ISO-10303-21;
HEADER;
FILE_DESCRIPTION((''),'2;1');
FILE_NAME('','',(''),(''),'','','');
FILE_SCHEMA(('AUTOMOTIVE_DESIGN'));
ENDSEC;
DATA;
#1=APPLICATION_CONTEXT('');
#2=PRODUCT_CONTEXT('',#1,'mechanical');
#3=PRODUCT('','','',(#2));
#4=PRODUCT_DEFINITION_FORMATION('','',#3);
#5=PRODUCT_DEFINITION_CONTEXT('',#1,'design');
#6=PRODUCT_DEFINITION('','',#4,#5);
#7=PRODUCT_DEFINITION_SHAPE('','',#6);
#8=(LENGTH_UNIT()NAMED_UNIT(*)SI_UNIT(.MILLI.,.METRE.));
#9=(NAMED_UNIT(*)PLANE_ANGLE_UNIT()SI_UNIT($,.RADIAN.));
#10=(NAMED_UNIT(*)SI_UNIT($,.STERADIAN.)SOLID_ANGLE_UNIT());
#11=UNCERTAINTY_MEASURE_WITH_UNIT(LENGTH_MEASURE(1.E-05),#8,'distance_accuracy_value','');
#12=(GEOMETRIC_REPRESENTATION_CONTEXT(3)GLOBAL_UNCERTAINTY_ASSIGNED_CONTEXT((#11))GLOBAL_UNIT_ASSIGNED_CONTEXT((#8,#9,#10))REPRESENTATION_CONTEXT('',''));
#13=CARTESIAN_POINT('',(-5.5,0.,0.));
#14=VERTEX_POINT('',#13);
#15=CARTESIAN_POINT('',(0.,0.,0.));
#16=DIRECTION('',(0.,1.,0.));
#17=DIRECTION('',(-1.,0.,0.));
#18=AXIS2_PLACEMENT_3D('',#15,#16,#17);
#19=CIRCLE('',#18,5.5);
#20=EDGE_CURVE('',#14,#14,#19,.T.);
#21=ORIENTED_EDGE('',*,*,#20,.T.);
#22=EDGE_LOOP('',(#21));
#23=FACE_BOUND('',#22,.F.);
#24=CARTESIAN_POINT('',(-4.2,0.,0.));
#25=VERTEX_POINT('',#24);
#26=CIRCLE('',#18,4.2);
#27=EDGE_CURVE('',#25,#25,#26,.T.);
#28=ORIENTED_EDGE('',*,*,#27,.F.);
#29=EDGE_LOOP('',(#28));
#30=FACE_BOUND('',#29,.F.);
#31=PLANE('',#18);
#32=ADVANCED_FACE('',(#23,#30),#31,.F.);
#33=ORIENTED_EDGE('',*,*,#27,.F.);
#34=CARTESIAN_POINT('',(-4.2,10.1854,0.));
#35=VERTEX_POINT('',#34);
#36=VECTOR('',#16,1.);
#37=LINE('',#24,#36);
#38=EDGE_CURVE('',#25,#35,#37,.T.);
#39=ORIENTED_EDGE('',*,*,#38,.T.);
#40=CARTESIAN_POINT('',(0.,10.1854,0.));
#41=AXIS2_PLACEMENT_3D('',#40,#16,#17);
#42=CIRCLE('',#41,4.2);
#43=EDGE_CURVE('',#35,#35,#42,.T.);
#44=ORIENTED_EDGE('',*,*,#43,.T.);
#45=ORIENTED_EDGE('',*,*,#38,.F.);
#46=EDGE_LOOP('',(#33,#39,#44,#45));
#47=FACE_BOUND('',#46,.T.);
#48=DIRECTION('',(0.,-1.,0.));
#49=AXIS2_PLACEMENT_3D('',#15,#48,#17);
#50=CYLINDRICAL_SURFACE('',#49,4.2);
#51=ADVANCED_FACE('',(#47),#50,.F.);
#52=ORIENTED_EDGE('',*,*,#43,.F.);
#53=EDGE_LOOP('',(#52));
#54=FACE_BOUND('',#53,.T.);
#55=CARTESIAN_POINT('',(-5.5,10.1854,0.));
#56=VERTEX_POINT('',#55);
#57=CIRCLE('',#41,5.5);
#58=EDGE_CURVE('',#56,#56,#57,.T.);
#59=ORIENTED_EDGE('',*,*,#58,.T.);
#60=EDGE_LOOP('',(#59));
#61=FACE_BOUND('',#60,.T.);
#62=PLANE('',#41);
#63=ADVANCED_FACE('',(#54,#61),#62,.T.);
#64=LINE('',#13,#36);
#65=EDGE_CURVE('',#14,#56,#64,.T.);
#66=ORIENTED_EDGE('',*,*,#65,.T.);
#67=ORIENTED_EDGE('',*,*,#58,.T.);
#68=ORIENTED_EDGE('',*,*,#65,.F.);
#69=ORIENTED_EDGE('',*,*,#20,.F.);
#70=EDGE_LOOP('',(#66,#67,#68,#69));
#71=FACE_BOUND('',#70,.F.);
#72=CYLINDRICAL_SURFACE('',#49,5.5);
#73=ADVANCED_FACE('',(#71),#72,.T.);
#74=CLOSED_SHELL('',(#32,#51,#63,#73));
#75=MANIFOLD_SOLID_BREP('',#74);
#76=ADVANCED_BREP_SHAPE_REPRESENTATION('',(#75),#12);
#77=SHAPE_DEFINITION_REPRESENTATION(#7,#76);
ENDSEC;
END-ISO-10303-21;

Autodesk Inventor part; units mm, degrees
ref_plane "YZ Plane" through (0, 0, 0) normal (1, 0, 0) x (0, 1, 0)
ref_plane "XZ Plane" through (0, 0, 0) normal (0, 1, 0) x (-1, 0, 0)
ref_plane "XY Plane" through (0, 0, 0) normal (0, 0, 1) x (1, 0, 0)
sketch "Sketch1" plane through (0, 0, 0) normal (0, 1, 0) x (-1, 0, 0)
  circle A0 centre (0, 0) radius 4.2
  circle A1 centre (0, 0) radius 5.5
  dimension "d1" = 8.4
  dimension "d2" = 11
extrude "Extrusion1" add sketch "Sketch1" along normal blind 10.1854
properties part number "spacer for channel outside"
